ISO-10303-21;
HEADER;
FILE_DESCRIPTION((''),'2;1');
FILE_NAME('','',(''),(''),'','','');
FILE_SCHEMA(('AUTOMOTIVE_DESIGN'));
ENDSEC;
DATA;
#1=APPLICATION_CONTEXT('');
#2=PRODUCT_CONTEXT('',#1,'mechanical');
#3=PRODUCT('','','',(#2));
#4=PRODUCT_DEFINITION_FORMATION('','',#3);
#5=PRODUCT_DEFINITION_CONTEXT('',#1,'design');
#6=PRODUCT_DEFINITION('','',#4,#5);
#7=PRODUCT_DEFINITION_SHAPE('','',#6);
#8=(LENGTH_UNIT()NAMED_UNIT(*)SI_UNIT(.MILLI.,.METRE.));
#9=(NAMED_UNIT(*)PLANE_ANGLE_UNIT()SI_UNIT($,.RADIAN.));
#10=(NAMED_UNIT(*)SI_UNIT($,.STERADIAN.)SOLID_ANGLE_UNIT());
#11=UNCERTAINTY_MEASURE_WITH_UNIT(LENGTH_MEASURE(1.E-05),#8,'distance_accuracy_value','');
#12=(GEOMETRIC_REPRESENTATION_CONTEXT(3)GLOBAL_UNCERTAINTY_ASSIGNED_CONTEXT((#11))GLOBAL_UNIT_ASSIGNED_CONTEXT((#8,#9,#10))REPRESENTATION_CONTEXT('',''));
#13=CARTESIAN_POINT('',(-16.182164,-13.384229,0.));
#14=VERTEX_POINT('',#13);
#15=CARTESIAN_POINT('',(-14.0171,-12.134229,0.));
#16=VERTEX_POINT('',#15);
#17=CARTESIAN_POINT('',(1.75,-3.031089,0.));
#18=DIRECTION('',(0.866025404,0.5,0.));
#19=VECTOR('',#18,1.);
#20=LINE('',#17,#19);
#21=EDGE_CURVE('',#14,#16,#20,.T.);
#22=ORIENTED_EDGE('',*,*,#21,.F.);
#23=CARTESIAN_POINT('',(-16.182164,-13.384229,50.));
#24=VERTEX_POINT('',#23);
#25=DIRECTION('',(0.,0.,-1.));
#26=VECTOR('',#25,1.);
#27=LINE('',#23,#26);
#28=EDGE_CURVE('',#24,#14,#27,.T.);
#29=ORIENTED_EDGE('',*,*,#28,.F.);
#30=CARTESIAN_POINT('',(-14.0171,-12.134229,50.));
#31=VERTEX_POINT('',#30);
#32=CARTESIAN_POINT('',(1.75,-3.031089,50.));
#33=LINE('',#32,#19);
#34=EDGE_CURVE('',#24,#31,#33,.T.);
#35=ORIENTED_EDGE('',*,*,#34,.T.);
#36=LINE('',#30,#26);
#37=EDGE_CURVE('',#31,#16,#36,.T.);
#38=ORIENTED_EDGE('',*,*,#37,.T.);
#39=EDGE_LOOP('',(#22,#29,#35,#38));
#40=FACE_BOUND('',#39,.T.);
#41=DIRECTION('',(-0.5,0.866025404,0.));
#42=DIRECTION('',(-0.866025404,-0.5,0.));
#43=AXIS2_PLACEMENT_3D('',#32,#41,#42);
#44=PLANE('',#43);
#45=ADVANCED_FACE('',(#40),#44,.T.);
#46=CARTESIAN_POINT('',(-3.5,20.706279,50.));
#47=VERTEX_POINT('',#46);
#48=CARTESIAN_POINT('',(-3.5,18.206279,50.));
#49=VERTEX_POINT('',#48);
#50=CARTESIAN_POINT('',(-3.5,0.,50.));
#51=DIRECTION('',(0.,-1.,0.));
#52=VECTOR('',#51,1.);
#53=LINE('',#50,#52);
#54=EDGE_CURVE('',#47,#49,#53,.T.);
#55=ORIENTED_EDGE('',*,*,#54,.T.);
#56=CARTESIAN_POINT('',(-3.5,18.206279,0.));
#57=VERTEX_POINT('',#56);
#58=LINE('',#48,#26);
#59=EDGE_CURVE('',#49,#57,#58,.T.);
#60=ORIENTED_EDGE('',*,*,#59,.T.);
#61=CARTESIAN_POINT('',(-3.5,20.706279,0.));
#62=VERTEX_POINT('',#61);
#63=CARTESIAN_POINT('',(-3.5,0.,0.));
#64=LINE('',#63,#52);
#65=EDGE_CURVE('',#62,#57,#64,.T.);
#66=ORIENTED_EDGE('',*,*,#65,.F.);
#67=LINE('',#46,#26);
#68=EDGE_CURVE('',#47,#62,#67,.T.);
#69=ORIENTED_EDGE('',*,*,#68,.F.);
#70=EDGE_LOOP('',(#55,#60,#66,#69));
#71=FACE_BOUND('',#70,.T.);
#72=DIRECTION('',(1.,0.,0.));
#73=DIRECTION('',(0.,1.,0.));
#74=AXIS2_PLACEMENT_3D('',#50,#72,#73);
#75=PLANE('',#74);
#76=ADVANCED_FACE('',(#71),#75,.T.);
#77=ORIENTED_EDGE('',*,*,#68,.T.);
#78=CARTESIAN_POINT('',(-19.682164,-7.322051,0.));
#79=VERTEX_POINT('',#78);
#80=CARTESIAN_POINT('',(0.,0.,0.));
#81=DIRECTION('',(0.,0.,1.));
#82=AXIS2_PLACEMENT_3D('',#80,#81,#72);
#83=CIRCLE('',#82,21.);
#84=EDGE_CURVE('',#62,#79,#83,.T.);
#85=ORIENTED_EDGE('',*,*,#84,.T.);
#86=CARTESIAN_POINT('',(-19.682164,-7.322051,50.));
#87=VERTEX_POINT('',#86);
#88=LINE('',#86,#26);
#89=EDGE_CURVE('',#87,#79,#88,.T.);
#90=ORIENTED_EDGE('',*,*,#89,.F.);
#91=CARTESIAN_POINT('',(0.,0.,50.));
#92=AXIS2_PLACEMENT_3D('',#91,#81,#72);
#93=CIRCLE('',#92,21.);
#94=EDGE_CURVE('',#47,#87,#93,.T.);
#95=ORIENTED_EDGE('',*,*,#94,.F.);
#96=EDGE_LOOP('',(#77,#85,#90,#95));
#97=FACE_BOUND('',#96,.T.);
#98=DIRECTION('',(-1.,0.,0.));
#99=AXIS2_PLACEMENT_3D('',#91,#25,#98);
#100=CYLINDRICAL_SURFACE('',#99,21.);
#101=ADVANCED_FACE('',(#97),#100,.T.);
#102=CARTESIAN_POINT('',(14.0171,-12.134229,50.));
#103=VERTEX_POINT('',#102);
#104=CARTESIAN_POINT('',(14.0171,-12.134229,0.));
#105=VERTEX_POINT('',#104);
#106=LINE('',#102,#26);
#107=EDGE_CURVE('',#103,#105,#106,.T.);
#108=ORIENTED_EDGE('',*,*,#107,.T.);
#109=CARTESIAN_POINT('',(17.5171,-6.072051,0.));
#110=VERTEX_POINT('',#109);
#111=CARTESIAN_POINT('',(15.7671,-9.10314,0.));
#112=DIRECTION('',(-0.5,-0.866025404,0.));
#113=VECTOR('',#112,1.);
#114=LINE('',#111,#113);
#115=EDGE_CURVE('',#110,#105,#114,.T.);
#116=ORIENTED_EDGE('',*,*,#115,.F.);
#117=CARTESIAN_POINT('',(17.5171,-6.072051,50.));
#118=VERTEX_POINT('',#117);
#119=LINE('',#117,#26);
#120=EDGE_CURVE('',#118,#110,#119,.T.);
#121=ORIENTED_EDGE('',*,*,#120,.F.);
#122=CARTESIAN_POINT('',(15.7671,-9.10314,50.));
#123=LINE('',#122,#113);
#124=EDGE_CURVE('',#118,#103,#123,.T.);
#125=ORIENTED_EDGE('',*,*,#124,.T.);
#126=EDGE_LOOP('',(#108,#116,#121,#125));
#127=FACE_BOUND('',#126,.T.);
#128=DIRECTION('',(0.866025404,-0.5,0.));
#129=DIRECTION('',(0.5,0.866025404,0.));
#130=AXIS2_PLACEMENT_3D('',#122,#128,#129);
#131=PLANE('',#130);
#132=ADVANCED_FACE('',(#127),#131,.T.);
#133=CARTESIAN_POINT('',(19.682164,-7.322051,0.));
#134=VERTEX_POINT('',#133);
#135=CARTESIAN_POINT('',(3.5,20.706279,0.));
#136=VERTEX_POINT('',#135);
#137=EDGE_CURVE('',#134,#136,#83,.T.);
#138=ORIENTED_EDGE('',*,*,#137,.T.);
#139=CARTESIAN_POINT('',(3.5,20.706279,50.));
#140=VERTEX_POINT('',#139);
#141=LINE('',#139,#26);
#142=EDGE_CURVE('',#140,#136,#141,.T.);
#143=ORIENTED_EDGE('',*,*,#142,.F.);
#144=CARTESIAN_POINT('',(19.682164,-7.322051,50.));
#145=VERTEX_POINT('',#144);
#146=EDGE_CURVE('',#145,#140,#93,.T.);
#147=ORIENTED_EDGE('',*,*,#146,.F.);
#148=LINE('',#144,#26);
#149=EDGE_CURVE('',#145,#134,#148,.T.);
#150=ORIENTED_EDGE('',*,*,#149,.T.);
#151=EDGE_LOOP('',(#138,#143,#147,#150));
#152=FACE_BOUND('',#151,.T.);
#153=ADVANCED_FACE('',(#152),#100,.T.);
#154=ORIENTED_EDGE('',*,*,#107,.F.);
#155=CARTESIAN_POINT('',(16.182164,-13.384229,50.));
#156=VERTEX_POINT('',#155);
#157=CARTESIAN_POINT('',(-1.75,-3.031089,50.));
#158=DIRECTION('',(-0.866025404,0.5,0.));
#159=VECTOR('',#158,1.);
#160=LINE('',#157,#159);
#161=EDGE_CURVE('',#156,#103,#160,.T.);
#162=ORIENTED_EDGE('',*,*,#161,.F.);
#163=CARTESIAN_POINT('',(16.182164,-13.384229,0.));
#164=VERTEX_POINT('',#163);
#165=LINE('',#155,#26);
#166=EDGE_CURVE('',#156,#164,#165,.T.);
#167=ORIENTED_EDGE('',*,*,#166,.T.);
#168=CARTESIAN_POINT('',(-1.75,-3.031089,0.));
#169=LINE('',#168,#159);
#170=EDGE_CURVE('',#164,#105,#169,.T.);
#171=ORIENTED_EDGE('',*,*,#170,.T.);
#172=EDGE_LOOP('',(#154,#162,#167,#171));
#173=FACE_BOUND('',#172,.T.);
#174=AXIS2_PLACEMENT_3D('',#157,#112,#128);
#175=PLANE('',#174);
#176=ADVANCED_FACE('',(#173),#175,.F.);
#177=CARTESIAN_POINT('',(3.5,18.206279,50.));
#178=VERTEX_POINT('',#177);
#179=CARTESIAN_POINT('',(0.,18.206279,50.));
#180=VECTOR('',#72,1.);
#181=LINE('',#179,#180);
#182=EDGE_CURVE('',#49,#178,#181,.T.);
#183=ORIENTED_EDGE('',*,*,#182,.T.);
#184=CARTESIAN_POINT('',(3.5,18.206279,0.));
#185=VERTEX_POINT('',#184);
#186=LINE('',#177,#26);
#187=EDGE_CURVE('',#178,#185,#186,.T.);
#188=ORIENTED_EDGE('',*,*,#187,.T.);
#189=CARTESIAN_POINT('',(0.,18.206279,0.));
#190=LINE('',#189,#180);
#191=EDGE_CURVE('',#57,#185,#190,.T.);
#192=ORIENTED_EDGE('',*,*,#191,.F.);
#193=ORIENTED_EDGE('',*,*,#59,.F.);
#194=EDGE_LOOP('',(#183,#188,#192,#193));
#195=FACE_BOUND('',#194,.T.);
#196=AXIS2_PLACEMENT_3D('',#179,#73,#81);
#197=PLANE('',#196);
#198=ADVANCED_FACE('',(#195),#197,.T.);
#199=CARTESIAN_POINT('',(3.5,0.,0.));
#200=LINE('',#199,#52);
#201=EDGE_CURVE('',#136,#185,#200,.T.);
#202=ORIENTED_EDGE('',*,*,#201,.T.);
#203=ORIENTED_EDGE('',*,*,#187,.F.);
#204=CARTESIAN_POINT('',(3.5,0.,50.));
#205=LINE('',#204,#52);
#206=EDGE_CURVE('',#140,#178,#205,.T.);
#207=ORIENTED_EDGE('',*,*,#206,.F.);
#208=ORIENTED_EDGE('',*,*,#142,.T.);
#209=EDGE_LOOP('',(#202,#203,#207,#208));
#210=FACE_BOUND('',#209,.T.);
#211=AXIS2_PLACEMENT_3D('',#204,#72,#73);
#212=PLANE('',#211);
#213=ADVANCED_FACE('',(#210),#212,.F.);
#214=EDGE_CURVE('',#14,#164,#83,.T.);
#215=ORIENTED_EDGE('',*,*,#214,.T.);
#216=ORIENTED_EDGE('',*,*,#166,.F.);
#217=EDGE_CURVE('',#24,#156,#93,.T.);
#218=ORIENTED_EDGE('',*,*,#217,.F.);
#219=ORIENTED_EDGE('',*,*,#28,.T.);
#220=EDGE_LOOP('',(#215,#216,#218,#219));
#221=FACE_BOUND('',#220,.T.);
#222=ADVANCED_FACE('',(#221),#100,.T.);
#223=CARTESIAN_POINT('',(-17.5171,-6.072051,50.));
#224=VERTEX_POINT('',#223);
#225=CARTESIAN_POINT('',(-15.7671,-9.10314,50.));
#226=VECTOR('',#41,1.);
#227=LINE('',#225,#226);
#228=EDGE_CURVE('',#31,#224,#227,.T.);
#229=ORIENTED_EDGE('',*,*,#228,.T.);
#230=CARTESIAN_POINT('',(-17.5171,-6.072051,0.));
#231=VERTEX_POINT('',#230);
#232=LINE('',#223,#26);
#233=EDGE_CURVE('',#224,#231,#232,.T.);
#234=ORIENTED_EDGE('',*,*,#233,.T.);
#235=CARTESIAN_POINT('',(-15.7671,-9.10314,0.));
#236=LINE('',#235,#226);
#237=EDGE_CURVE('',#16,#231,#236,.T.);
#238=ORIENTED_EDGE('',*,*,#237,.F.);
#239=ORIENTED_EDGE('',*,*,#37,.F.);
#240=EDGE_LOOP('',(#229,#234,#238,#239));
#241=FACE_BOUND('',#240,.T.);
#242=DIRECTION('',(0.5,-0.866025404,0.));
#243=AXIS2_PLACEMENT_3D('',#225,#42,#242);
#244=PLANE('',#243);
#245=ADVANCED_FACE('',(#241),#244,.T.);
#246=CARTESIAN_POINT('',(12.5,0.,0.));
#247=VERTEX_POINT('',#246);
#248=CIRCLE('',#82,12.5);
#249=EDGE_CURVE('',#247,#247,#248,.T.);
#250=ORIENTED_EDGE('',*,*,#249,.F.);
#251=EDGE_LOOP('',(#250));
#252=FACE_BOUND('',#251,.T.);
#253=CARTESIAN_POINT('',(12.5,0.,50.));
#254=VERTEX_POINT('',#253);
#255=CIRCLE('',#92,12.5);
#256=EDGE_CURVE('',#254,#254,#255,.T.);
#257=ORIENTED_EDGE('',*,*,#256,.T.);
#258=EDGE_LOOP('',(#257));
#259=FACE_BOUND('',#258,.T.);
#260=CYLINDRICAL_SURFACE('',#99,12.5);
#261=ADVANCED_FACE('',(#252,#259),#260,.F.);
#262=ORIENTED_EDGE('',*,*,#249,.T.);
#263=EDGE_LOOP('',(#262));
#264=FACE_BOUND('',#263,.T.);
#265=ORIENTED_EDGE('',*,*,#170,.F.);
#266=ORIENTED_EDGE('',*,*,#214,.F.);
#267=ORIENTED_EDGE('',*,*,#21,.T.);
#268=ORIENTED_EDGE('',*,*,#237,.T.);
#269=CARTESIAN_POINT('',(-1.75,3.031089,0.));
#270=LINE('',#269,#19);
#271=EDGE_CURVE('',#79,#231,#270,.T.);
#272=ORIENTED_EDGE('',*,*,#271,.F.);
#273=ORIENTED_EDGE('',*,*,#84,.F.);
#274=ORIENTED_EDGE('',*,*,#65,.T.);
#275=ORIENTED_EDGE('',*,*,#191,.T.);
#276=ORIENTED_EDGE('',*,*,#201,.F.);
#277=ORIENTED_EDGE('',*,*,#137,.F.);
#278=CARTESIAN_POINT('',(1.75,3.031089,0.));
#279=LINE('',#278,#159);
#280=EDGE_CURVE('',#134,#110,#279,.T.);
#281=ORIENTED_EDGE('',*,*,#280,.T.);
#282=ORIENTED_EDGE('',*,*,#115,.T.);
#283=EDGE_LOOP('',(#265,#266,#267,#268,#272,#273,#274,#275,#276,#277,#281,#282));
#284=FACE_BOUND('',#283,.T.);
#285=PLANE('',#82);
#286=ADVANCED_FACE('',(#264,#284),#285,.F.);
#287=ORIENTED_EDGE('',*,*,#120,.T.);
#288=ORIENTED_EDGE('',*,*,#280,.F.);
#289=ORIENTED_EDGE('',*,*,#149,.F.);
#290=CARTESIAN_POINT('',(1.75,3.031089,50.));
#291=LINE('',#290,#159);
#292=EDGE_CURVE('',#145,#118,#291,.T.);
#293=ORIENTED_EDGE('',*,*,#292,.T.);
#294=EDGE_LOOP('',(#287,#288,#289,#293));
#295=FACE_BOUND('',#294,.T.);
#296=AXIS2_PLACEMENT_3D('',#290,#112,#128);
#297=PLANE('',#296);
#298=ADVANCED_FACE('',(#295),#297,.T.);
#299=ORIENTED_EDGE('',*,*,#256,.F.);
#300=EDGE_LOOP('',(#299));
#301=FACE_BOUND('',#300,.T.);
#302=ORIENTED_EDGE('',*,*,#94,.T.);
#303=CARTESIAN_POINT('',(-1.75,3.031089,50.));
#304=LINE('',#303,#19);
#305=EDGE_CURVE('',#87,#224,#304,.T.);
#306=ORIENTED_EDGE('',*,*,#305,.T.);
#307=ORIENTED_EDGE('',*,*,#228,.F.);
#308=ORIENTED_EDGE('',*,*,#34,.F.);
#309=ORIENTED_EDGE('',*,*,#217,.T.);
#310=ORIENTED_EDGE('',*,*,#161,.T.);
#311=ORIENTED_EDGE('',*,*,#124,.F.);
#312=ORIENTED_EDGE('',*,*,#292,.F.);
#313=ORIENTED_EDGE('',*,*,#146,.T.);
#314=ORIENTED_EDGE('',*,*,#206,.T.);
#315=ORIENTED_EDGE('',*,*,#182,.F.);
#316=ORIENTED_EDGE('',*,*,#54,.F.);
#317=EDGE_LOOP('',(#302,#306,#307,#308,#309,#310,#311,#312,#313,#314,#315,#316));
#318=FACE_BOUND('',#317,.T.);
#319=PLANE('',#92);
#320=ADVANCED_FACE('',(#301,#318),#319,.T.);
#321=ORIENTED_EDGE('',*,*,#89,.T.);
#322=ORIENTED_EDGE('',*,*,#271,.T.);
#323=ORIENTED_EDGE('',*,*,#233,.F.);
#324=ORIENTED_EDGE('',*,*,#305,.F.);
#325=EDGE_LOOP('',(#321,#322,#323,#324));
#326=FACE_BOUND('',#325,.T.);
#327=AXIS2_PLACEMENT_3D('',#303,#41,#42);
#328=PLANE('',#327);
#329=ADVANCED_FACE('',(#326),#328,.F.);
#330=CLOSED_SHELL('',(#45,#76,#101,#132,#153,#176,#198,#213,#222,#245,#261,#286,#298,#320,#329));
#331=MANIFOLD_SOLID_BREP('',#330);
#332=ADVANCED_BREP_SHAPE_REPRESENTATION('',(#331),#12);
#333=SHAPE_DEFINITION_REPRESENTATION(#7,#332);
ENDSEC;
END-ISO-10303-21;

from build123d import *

# Parameters (mm, degrees)
SKETCH_1_R      = 12.5
EXTRUDE_1_DEPTH = 50


with BuildPart() as part:
    # Эскиз1 → Бобышка-Вытянуть1 (new body)
    with BuildSketch(Plane.XY):
        with BuildLine():
            Line((-3.5, 18.206279241), (-3.5, 20.706279241))
            ThreePointArc((-3.5, 20.706279241), (-18.186533479, 10.5), (-19.68216384, -7.322050707))
            Line((-19.68216384, -7.322050707), (-17.517100331, -6.072050707))
            Line((-17.517100331, -6.072050707), (-14.017100331, -12.134228534))
            Line((-14.017100331, -12.134228534), (-16.18216384, -13.384228534))
            ThreePointArc((-16.18216384, -13.384228534), (0, -21), (16.18216384, -13.384228534))
            Line((16.18216384, -13.384228534), (14.017100331, -12.134228534))
            Line((14.017100331, -12.134228534), (17.517100331, -6.072050707))
            Line((17.517100331, -6.072050707), (19.68216384, -7.322050707))
            ThreePointArc((19.68216384, -7.322050707), (20.667915239, -3.719849416), (21, 0))
            ThreePointArc((21, 0), (16.039014932, 13.555441712), (3.5, 20.706279241))
            Line((3.5, 20.706279241), (3.5, 18.206279241))
            Line((3.5, 18.206279241), (-3.5, 18.206279241))
        make_face()
        Circle(SKETCH_1_R, mode=Mode.SUBTRACT)
    extrude(amount=EXTRUDE_1_DEPTH)


solid = part.part
